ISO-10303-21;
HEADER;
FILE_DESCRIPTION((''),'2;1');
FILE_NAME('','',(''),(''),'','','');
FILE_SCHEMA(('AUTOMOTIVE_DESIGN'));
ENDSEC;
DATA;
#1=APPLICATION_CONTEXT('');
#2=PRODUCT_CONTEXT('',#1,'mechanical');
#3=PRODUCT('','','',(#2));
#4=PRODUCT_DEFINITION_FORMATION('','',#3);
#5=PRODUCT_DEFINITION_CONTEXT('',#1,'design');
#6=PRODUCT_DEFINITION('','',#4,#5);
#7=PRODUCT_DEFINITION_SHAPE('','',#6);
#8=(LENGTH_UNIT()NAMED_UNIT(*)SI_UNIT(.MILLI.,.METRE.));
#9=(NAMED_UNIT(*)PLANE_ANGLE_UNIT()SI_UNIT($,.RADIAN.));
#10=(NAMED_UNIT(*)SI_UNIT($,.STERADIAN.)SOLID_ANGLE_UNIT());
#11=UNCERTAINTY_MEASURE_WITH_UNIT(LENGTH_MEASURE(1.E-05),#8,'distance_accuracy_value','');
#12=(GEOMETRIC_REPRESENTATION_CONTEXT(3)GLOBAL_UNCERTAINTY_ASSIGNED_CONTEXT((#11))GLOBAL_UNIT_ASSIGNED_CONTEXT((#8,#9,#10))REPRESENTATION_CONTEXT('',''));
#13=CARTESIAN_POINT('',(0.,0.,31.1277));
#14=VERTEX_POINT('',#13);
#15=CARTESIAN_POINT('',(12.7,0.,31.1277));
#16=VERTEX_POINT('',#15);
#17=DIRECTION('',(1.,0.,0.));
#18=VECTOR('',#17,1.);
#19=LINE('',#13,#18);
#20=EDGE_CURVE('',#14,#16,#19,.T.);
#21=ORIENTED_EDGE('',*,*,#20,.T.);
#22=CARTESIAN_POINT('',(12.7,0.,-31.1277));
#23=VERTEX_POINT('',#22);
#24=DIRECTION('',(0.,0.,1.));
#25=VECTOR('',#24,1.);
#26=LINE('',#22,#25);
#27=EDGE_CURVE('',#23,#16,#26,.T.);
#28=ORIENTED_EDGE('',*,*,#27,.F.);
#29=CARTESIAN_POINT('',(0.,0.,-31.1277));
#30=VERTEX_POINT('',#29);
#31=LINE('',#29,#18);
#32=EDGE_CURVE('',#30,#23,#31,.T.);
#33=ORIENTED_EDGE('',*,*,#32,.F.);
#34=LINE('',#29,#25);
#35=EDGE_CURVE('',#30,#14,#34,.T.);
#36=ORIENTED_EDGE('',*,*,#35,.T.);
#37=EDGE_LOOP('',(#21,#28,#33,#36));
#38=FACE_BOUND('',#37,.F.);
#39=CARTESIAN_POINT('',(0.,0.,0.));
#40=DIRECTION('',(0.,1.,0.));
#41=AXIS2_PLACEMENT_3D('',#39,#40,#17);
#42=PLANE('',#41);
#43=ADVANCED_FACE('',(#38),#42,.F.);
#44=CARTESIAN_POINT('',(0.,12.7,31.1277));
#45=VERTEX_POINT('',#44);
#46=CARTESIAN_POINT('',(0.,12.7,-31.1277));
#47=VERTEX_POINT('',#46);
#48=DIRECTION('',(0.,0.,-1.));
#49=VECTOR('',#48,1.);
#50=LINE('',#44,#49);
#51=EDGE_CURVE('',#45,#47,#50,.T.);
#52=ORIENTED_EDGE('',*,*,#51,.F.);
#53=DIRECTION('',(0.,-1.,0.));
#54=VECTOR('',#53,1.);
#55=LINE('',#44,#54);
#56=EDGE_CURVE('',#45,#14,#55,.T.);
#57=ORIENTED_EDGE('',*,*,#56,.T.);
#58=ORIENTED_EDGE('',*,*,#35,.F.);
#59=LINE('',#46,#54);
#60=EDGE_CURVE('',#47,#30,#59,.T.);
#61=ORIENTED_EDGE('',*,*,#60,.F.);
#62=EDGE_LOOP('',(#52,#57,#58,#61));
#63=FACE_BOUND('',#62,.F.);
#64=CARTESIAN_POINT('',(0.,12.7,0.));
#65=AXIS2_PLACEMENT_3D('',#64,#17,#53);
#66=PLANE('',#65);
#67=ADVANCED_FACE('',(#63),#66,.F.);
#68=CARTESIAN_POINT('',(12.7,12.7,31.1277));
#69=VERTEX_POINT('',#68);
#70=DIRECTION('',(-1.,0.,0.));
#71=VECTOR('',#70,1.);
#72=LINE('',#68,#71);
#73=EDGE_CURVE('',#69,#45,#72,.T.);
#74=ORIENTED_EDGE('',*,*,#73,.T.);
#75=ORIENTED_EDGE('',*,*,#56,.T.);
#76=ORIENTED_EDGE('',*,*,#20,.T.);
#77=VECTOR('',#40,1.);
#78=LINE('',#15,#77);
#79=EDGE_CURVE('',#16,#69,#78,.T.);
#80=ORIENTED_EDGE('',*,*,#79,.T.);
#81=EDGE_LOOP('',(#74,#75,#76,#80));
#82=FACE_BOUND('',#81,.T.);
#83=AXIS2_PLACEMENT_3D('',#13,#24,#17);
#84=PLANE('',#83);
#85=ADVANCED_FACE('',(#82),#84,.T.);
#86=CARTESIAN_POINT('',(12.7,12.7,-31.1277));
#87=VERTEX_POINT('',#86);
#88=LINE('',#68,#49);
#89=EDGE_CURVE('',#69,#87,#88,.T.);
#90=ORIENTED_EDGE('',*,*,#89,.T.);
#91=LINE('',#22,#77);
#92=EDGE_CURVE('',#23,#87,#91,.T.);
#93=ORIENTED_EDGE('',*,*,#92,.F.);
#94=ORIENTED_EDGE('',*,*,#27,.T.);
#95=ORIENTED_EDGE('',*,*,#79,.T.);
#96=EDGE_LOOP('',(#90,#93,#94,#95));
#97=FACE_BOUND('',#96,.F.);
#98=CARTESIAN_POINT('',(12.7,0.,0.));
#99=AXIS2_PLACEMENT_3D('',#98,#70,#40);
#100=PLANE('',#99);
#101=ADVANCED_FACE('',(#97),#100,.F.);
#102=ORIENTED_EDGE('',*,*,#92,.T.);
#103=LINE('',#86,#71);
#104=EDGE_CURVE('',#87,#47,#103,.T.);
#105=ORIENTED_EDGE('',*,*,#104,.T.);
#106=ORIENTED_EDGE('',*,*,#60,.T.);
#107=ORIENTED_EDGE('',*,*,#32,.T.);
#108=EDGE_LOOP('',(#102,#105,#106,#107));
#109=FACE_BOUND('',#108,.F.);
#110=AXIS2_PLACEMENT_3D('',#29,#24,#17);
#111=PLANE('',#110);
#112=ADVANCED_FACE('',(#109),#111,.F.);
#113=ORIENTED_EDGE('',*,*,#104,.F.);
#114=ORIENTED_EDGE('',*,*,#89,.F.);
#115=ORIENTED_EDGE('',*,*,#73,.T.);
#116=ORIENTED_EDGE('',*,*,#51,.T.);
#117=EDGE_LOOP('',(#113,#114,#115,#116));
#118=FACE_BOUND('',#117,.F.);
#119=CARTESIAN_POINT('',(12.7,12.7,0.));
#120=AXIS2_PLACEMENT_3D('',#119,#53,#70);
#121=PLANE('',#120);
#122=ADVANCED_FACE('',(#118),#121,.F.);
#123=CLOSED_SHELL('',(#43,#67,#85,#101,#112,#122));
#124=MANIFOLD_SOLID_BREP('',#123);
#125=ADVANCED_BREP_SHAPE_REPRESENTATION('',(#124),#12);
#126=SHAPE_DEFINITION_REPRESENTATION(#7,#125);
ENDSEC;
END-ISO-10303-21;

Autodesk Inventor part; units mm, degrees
ref_plane "YZ Plane" through (0, 0, 0) normal (1, 0, 0) x (0, 1, 0)
ref_plane "XZ Plane" through (0, 0, 0) normal (0, 1, 0) x (-1, 0, 0)
ref_plane "XY Plane" through (0, 0, 0) normal (0, 0, 1) x (1, 0, 0)
sketch "Sketch1" plane through (0, 0, 0) normal (0, 0, 1) x (1, 0, 0)
  line L0 (0, 0) -> (12.7, 0)
  line L1 (12.7, 0) -> (12.7, 12.7)
  line L2 (12.7, 12.7) -> (0, 12.7)
  line L3 (0, 12.7) -> (0, 0)
  dimension "d0" = 12.7
  dimension "d1" = 12.7
extrude "Extrusion1" add sketch "Sketch1" along normal mid plane 62.2554
ref_plane "Work Plane2" through (0, 0, 0) normal (0, 0, 1) x (1, 0, 0)
sketch "Sketch2" plane through (0, 12.7, -31.1277) normal (0, 1, 0) x (1, 0, 0)
  circle A0 centre (-130.048, 217.1446) radius 273.05 construction
  line L0 (12.7, -62.2554) -> (0, -62.2554) projected
  line L1 (0, 0) -> (0, -62.2554) projected
  circle A1 centre (-130.048, 217.1446) radius 273.05
  circle A2 centre (-130.048, 217.1446) radius 457.3654
  point P0 (0, -31.1277)
  dimension "d4" = 546.1
  dimension "d5" = 279.4
  dimension "d6" = 130.048
properties part number "CAR_008_PoplarCenterShortBrace" material "Wood (Birch)"
